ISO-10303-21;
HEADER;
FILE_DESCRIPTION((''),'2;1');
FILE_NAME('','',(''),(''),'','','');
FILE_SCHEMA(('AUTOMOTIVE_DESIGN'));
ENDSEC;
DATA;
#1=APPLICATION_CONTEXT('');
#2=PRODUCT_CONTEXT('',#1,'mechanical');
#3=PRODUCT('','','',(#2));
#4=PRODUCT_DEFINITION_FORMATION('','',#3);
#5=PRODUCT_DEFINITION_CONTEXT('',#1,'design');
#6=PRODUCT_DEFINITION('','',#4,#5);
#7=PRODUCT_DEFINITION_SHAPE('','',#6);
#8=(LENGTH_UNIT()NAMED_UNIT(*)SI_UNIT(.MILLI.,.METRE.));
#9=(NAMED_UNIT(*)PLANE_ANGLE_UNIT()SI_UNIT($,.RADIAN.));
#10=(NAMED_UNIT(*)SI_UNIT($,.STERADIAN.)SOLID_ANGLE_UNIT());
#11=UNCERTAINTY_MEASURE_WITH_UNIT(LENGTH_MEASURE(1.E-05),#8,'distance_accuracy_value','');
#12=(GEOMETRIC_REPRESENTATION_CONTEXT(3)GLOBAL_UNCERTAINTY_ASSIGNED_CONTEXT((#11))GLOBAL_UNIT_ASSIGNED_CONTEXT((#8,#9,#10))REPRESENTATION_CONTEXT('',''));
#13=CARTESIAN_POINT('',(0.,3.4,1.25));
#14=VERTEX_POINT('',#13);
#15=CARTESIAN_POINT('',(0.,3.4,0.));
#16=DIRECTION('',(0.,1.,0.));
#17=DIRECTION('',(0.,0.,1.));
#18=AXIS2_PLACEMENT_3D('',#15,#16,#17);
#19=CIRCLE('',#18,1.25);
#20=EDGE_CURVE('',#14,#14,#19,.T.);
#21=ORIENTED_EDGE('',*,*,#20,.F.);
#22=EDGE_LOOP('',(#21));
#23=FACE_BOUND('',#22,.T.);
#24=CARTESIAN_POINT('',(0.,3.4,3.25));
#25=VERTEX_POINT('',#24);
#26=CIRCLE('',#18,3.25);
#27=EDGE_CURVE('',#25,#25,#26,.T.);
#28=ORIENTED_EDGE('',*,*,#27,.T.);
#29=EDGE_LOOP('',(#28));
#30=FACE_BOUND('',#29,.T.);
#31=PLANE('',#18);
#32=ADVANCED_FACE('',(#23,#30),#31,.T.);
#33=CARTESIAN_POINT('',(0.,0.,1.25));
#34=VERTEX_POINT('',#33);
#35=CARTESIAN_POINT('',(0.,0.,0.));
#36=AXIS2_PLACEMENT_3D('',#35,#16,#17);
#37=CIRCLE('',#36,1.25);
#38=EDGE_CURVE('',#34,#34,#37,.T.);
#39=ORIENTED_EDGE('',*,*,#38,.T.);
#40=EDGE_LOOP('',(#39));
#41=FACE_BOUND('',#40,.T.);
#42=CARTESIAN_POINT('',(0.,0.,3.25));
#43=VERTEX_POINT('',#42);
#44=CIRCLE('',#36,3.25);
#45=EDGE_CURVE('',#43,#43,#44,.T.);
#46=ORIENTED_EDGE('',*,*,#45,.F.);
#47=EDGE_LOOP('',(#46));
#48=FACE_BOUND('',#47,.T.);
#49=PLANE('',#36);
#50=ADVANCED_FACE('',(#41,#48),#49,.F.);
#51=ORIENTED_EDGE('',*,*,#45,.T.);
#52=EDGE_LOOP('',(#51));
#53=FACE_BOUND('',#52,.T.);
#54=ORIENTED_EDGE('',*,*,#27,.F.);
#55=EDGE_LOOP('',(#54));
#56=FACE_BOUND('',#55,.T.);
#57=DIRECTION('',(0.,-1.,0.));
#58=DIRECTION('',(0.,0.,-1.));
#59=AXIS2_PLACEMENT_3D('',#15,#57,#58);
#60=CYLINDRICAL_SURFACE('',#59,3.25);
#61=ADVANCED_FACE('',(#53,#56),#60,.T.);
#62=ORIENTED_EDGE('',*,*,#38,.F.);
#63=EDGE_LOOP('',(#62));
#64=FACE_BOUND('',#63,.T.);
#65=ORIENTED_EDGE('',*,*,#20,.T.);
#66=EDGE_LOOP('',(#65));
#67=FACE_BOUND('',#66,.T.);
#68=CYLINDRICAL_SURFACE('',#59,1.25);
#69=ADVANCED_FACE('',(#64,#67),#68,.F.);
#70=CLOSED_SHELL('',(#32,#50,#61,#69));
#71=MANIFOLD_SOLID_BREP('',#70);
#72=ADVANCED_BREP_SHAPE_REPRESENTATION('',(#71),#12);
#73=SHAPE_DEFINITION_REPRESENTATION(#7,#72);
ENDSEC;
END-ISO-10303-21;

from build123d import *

# Parameters (mm, degrees)
SKETCH1_R   = 3.25
SKETCH1_R_2 = 1.25
BODY_DEPTH  = 3.4


with BuildPart() as part:
    # Sketch1 → Body (new body)
    with BuildSketch(Plane(origin=(0, 0, 0), x_dir=(1, 0, 0), z_dir=(0, 1, 0))):
        with Locations(Location((0, 0, 0), (0, 0, 270))):
            Circle(SKETCH1_R)
        with Locations(Location((0, 0, 0), (0, 0, 270))):
            Circle(SKETCH1_R_2, mode=Mode.SUBTRACT)
    extrude(amount=BODY_DEPTH)


solid = part.part
